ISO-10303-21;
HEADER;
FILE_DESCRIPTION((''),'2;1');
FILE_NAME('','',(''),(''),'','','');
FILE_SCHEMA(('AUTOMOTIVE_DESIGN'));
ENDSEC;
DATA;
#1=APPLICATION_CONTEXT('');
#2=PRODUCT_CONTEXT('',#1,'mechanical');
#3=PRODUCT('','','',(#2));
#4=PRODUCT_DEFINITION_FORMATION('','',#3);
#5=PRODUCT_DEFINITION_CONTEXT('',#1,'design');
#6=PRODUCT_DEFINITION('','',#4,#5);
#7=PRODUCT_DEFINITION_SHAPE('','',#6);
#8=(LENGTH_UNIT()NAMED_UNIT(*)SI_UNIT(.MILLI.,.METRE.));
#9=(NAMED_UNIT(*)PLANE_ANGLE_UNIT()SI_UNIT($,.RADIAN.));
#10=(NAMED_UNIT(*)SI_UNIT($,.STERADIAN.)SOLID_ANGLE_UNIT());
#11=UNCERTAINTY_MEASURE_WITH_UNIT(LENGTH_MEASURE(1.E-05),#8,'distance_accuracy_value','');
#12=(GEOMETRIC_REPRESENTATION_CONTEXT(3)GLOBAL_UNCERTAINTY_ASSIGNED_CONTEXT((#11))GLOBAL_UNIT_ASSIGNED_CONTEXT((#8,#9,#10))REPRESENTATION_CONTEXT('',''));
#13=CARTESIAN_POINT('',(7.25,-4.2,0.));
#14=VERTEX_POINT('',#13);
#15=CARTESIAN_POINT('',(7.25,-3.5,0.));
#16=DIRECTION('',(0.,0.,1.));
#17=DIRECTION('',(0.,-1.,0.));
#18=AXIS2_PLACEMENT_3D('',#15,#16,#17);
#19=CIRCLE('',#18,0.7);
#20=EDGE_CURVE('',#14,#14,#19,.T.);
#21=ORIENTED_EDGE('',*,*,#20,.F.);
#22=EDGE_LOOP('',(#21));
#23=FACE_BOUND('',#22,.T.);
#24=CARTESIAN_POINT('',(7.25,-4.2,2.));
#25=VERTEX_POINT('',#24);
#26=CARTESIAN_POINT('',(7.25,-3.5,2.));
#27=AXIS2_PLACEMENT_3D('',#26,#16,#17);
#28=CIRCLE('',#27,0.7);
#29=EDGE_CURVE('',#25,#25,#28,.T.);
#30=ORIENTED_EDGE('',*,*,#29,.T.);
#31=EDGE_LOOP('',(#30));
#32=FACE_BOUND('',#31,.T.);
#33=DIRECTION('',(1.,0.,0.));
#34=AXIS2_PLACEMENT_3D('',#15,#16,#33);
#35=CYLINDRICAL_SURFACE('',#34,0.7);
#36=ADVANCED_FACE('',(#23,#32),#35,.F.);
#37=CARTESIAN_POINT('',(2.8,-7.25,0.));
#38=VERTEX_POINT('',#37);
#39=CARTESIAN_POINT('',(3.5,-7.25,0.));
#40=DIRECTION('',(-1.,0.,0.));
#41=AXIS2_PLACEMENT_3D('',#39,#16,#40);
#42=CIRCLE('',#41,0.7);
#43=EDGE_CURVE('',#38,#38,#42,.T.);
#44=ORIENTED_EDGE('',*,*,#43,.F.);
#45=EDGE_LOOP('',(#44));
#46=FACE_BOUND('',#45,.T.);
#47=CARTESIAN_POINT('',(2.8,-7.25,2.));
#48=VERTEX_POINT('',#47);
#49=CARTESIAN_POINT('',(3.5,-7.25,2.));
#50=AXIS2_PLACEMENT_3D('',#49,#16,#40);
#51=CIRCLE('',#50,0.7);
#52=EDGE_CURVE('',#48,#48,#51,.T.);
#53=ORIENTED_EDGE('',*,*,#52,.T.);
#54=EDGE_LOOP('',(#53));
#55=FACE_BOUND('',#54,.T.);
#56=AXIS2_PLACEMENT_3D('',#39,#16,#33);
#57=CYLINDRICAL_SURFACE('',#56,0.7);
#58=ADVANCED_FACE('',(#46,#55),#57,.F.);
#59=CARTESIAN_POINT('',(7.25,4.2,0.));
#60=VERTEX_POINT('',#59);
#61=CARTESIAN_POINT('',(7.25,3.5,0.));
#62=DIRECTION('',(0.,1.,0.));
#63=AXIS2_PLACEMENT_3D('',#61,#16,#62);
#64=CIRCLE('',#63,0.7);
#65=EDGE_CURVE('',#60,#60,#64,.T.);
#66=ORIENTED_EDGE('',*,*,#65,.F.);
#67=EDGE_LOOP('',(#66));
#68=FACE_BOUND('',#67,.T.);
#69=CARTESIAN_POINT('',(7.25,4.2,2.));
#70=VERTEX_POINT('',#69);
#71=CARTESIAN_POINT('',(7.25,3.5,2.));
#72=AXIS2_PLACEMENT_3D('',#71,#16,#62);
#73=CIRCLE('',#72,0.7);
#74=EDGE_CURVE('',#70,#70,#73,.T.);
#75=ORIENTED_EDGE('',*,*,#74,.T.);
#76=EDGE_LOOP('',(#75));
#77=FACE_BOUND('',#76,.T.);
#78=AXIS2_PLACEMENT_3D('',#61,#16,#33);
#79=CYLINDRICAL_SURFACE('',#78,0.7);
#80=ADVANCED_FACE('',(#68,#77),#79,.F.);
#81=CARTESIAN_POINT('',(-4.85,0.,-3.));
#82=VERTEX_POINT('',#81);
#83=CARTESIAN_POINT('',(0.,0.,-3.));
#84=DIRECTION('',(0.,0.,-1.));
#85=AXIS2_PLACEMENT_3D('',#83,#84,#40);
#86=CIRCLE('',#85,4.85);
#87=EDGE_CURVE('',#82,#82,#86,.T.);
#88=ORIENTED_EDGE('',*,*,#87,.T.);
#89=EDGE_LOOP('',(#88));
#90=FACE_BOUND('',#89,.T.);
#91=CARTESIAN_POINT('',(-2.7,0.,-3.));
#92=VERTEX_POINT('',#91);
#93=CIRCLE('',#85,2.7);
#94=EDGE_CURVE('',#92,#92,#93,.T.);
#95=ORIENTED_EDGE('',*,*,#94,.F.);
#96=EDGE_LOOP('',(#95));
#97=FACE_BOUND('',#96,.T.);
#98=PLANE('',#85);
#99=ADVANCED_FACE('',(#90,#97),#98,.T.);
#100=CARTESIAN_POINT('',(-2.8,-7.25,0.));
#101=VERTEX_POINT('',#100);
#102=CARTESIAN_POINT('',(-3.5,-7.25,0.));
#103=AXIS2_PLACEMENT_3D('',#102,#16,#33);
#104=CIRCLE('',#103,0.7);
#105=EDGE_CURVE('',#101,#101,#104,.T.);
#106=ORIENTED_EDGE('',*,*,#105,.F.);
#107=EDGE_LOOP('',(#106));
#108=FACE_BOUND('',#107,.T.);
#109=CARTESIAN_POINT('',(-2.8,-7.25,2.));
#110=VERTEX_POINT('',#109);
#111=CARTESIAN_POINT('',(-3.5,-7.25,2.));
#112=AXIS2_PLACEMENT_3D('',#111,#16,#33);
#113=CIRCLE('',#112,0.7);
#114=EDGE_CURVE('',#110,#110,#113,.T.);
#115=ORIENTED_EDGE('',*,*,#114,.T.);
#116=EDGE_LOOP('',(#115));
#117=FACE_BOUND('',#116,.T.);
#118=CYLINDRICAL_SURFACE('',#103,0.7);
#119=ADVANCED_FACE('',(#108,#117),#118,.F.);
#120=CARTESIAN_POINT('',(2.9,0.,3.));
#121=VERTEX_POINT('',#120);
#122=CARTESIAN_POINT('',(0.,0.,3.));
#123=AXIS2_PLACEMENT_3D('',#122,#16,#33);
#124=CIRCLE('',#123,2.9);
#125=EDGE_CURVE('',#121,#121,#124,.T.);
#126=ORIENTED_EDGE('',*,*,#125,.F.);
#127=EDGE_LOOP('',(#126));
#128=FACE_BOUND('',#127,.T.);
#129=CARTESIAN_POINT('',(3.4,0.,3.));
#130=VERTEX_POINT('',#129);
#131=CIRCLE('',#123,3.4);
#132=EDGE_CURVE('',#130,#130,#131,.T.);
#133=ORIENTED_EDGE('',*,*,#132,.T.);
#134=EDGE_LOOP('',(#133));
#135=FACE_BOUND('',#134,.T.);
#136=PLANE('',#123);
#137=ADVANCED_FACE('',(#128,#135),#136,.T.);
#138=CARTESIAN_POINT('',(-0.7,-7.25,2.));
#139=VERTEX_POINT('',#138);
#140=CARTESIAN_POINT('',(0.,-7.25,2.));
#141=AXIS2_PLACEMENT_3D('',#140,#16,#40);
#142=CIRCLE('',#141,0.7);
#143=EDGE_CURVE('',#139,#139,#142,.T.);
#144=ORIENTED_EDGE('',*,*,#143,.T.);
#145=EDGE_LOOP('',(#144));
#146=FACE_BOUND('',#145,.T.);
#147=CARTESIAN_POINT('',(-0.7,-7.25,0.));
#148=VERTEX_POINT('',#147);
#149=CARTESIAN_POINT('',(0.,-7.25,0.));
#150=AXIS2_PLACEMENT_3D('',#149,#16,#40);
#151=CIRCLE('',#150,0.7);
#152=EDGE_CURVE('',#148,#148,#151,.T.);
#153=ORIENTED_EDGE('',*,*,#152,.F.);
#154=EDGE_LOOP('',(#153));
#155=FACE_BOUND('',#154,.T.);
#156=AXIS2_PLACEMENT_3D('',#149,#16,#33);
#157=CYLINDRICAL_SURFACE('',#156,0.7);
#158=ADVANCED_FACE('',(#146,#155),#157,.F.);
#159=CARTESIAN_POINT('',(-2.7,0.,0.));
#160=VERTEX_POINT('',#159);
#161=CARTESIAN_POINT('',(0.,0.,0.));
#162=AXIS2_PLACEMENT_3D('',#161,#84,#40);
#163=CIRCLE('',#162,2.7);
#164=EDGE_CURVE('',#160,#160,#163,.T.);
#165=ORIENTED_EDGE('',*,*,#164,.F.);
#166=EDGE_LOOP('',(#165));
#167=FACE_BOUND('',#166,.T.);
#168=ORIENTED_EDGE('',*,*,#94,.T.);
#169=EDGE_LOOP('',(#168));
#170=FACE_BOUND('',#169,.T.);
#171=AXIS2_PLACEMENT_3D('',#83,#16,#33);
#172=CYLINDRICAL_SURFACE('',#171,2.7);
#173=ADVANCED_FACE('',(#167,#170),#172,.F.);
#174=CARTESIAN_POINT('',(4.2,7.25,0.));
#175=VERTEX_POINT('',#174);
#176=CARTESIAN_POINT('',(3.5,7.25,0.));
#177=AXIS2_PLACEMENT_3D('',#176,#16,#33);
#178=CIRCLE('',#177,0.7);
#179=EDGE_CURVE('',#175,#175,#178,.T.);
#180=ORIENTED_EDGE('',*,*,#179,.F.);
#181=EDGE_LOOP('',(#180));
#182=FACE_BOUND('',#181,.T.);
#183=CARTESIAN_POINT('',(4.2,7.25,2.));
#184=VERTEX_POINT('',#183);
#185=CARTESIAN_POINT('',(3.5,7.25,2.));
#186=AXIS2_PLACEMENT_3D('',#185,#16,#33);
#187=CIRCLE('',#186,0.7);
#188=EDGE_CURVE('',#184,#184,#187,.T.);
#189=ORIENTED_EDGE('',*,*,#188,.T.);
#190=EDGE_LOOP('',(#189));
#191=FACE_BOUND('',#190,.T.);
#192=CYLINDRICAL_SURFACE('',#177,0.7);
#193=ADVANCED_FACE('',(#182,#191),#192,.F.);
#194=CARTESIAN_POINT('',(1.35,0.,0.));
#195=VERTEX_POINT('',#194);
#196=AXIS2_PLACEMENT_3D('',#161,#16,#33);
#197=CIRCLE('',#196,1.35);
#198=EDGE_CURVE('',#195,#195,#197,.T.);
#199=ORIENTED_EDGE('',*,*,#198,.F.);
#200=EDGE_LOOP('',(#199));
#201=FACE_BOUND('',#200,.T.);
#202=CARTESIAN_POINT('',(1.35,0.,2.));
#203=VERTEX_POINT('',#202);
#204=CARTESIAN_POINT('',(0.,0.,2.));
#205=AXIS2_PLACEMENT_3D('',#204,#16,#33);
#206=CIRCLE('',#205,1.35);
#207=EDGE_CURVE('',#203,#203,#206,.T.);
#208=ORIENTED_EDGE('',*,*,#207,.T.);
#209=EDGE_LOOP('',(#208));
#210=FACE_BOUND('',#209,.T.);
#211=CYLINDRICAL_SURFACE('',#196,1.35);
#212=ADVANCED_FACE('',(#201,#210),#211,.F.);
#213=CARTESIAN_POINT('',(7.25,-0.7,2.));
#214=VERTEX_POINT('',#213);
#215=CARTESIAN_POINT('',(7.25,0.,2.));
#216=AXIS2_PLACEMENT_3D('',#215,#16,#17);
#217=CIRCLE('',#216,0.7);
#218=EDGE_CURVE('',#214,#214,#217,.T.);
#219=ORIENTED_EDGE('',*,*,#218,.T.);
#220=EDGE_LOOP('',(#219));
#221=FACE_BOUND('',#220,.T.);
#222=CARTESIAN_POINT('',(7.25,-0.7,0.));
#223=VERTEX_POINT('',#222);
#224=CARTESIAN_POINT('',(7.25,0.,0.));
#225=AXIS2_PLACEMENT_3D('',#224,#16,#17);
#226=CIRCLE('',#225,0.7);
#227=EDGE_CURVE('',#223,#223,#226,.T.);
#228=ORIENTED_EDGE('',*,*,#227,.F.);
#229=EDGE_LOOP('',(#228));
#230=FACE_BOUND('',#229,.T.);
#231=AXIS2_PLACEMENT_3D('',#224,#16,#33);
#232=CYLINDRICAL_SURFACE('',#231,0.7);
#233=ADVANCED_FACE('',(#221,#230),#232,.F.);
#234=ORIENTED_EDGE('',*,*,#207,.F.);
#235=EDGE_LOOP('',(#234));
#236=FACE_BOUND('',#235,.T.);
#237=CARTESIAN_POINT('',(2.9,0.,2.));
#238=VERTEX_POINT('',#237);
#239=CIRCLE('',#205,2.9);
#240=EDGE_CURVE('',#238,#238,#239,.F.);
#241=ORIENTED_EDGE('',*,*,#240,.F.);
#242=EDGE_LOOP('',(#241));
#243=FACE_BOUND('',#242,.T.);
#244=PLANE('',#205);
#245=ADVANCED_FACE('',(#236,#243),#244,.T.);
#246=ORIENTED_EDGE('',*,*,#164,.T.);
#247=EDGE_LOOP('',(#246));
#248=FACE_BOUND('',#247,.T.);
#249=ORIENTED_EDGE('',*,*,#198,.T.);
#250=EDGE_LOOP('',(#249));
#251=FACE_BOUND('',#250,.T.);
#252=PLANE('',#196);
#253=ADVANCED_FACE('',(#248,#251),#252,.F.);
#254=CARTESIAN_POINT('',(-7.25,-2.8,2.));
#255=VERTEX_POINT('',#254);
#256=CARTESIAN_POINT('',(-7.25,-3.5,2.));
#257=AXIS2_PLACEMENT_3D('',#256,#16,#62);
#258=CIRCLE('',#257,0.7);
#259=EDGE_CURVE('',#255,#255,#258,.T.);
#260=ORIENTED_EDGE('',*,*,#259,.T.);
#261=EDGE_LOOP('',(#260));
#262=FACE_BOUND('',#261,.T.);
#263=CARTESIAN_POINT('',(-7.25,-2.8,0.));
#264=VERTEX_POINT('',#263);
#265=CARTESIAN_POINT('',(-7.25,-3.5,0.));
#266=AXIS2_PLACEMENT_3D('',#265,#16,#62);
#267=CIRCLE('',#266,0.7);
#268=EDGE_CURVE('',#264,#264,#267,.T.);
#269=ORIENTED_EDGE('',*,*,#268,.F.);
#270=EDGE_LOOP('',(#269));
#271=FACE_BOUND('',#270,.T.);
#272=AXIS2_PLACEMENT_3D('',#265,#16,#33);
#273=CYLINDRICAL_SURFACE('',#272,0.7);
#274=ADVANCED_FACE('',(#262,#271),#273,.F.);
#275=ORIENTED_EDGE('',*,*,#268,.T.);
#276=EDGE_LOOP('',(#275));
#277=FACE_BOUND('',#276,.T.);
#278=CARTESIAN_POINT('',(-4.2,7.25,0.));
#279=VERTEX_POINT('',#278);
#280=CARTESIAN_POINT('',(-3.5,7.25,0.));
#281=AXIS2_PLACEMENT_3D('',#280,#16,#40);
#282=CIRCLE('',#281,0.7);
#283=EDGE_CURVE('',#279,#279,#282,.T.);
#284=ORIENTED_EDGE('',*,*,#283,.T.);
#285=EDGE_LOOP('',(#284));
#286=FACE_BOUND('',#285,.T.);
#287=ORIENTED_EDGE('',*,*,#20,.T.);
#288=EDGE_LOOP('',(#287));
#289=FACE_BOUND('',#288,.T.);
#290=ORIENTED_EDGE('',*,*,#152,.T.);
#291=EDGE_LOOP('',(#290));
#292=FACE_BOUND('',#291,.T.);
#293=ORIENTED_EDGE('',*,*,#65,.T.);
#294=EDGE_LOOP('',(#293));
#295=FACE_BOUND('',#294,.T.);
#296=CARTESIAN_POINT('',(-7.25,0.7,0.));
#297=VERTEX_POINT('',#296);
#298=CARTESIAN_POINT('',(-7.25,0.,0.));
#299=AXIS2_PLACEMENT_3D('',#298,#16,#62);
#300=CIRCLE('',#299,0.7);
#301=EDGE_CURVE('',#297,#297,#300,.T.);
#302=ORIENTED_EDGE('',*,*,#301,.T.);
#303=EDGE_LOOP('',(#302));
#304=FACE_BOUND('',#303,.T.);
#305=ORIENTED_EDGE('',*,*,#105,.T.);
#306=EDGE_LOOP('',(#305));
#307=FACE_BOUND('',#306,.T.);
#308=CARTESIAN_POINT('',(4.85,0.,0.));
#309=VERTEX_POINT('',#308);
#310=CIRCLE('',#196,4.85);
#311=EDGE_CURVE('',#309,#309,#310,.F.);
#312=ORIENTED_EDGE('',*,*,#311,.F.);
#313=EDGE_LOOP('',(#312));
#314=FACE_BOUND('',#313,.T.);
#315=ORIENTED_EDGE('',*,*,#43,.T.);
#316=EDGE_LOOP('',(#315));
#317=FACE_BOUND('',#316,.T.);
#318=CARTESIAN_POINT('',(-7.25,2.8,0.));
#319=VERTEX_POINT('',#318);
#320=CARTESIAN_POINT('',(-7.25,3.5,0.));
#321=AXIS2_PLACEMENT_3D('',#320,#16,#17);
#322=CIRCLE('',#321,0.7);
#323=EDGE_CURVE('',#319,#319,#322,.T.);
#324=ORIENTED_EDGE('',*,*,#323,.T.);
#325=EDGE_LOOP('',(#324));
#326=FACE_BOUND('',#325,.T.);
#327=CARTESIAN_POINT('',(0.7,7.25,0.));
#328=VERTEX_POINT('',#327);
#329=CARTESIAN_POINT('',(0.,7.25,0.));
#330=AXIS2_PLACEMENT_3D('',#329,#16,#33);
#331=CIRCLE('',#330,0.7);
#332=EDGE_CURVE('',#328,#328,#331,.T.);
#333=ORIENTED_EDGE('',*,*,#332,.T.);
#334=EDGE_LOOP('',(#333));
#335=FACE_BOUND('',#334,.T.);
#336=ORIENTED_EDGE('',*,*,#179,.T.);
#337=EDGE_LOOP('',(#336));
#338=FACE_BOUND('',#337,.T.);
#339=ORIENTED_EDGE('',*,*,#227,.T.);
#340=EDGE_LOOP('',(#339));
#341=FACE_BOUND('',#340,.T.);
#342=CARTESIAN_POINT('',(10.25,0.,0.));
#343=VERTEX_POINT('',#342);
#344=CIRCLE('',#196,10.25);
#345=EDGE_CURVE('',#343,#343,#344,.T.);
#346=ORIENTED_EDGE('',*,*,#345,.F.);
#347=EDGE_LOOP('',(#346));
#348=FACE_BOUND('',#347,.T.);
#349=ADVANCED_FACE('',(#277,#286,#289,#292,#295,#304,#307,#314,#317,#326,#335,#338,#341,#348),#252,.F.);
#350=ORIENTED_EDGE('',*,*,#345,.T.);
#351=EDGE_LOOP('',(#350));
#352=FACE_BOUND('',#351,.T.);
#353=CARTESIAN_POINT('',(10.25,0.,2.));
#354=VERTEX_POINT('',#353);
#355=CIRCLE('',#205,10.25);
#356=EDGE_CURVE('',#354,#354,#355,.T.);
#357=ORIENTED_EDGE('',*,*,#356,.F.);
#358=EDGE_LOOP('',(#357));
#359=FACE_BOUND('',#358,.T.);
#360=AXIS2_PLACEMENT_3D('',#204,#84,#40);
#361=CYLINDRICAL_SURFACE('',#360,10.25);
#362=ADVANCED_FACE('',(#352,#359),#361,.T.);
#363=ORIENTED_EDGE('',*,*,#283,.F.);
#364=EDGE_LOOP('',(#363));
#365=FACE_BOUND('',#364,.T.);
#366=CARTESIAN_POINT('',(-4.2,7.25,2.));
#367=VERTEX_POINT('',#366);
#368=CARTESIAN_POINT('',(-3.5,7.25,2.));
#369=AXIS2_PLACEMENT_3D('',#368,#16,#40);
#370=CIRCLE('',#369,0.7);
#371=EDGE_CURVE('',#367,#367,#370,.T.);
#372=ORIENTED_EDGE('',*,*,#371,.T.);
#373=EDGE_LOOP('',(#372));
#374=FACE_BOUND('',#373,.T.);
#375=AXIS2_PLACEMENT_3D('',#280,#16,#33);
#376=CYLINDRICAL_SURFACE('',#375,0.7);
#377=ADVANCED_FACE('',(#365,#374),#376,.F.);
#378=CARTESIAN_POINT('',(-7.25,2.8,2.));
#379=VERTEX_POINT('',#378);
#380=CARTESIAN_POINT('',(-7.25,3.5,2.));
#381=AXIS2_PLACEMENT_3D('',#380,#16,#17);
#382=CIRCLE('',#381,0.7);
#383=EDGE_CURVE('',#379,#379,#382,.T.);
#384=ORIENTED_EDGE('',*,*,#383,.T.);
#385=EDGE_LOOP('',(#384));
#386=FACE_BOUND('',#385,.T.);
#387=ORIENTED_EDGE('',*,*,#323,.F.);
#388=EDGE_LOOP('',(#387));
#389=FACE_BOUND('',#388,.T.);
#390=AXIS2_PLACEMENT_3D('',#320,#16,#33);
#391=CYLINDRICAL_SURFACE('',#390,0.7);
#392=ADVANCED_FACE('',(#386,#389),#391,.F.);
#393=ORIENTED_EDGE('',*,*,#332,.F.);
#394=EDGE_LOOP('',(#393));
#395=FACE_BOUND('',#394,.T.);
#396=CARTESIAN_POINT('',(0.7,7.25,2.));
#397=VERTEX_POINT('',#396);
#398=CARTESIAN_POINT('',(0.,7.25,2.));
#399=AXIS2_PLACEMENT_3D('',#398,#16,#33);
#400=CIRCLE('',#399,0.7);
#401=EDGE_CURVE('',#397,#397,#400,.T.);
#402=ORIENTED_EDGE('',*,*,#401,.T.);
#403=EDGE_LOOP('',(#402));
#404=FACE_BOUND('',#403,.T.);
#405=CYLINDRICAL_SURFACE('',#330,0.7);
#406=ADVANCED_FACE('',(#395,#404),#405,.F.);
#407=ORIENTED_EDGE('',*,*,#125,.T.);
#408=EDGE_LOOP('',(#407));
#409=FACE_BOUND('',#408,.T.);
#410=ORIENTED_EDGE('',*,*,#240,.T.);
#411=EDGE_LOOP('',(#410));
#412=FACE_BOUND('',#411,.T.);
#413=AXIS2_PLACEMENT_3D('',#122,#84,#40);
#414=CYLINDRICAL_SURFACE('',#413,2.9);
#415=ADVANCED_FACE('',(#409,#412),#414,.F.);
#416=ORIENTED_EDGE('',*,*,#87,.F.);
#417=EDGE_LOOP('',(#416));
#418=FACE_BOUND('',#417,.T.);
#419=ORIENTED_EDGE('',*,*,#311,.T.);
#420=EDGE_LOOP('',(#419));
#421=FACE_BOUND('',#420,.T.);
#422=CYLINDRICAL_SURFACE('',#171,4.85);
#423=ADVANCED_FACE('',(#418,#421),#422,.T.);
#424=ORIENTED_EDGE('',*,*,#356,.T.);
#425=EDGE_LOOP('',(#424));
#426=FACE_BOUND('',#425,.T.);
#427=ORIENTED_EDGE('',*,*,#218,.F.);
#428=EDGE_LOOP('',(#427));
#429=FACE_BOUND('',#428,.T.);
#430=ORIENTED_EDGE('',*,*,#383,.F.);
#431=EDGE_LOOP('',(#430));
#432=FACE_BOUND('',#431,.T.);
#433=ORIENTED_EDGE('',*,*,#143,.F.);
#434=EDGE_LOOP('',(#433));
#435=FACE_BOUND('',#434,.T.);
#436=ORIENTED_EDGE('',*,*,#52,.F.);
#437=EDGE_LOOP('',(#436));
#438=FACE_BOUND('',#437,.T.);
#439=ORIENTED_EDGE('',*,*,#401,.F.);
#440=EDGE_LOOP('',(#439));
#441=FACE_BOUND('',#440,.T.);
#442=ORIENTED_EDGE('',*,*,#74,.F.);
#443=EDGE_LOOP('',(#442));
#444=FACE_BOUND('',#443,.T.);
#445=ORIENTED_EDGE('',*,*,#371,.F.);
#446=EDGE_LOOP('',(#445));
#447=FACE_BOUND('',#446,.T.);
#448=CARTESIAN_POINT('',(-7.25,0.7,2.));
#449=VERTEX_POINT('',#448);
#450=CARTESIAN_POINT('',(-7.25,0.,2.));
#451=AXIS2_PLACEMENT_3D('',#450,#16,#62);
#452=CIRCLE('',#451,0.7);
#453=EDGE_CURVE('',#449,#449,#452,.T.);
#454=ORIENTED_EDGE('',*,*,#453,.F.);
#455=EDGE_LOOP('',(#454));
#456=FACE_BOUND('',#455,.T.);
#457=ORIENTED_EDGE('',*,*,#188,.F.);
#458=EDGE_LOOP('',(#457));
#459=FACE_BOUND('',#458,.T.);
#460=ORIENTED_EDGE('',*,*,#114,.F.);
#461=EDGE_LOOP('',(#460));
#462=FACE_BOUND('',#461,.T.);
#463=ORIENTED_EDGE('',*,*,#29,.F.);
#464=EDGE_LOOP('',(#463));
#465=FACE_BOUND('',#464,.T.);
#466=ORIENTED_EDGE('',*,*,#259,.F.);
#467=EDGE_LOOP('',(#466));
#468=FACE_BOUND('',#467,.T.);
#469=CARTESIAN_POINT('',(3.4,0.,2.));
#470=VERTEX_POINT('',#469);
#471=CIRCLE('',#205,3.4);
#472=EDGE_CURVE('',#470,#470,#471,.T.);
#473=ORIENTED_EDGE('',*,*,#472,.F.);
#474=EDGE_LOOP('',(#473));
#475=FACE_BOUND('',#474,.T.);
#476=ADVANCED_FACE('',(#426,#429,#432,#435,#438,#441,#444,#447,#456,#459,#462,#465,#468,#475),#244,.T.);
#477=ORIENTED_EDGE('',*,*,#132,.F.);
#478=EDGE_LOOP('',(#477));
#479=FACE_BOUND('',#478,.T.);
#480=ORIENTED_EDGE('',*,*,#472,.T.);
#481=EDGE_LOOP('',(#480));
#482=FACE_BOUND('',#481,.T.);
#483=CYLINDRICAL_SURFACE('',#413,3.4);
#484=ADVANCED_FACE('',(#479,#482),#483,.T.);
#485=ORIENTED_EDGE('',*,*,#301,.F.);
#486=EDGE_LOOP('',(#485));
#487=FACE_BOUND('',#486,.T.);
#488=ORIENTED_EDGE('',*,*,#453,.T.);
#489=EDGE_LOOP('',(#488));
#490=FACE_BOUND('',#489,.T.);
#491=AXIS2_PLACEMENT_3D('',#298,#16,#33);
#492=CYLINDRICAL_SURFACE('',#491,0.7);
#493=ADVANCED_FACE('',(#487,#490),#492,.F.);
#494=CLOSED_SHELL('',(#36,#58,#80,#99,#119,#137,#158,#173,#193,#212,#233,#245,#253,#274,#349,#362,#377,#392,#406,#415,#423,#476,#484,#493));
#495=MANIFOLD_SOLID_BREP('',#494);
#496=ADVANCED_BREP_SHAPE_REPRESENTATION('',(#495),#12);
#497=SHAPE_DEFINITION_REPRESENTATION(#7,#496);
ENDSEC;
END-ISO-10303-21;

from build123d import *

# Parameters (mm, degrees)
SKETCH1_R           = 10.25
BOSS_EXTRUDE1_DEPTH = 2
SKETCH2_R           = 3.4
SKETCH2_R_2         = 2.9
BOSS_EXTRUDE2_DEPTH = 1
SKETCH3_R           = 1.35
CUT_EXTRUDE1_DEPTH  = 15.633010627
SKETCH4_R           = 0.7
CUT_EXTRUDE2_DEPTH  = 15.633010627
CIRPATTERN1_COUNT   = 4
SKETCH5_R           = 4.85
SKETCH5_R_2         = 2.7
BOSS_EXTRUDE3_DEPTH = 3


with BuildPart() as part:
    # Sketch1 → Boss-Extrude1 (new body)
    with BuildSketch(Plane.XY):
        Circle(SKETCH1_R)
    extrude(amount=BOSS_EXTRUDE1_DEPTH)

    # Sketch2 → Boss-Extrude2 (add)
    with BuildSketch(Plane.XY.offset(2)):
        Circle(SKETCH2_R)
        Circle(SKETCH2_R_2, mode=Mode.SUBTRACT)
    extrude(amount=BOSS_EXTRUDE2_DEPTH)

    # Sketch3 → Cut-Extrude1 (cut, through all)
    with BuildSketch(Plane.XY.offset(2)):
        Circle(SKETCH3_R)
    extrude(amount=-CUT_EXTRUDE1_DEPTH, mode=Mode.SUBTRACT)

    # Sketch4 → Cut-Extrude2 (cut, through all)
    with BuildSketch(Plane.XY.offset(2)):
        with Locations((0, 7.25)):
            Circle(SKETCH4_R)
        with Locations((3.5, 7.25)):
            Circle(SKETCH4_R)
        with Locations(Location((-3.5, 7.25, 0), (0, 0, 180))):
            Circle(SKETCH4_R)
        with Locations((-3.5, -7.25)):
            Circle(SKETCH4_R)
        with Locations(Location((3.5, -7.25, 0), (0, 0, 180))):
            Circle(SKETCH4_R)
        with Locations(Location((0, -7.25, 0), (0, 0, 180))):
            Circle(SKETCH4_R)
    cut_extrude2 = extrude(amount=-CUT_EXTRUDE2_DEPTH, mode=Mode.SUBTRACT)

    # CirPattern1: Cut-Extrude2 ×4 about axis
    cirpattern1_axis = Axis((0, 0, 0), (0, 0, 1))
    for i in range(1, CIRPATTERN1_COUNT):
        add(cut_extrude2.rotate(cirpattern1_axis, i * 360 / CIRPATTERN1_COUNT), mode=Mode.SUBTRACT)

    # Sketch5 → Boss-Extrude3 (add)
    with BuildSketch(Plane(origin=(0, 0, 0), x_dir=(-1, 0, 0), z_dir=(0, 0, -1))):
        with Locations(Location((0, 0, 0), (0, 0, 180))):
            Circle(SKETCH5_R)
        Circle(SKETCH5_R_2, mode=Mode.SUBTRACT)
    extrude(amount=BOSS_EXTRUDE3_DEPTH)


solid = part.part
